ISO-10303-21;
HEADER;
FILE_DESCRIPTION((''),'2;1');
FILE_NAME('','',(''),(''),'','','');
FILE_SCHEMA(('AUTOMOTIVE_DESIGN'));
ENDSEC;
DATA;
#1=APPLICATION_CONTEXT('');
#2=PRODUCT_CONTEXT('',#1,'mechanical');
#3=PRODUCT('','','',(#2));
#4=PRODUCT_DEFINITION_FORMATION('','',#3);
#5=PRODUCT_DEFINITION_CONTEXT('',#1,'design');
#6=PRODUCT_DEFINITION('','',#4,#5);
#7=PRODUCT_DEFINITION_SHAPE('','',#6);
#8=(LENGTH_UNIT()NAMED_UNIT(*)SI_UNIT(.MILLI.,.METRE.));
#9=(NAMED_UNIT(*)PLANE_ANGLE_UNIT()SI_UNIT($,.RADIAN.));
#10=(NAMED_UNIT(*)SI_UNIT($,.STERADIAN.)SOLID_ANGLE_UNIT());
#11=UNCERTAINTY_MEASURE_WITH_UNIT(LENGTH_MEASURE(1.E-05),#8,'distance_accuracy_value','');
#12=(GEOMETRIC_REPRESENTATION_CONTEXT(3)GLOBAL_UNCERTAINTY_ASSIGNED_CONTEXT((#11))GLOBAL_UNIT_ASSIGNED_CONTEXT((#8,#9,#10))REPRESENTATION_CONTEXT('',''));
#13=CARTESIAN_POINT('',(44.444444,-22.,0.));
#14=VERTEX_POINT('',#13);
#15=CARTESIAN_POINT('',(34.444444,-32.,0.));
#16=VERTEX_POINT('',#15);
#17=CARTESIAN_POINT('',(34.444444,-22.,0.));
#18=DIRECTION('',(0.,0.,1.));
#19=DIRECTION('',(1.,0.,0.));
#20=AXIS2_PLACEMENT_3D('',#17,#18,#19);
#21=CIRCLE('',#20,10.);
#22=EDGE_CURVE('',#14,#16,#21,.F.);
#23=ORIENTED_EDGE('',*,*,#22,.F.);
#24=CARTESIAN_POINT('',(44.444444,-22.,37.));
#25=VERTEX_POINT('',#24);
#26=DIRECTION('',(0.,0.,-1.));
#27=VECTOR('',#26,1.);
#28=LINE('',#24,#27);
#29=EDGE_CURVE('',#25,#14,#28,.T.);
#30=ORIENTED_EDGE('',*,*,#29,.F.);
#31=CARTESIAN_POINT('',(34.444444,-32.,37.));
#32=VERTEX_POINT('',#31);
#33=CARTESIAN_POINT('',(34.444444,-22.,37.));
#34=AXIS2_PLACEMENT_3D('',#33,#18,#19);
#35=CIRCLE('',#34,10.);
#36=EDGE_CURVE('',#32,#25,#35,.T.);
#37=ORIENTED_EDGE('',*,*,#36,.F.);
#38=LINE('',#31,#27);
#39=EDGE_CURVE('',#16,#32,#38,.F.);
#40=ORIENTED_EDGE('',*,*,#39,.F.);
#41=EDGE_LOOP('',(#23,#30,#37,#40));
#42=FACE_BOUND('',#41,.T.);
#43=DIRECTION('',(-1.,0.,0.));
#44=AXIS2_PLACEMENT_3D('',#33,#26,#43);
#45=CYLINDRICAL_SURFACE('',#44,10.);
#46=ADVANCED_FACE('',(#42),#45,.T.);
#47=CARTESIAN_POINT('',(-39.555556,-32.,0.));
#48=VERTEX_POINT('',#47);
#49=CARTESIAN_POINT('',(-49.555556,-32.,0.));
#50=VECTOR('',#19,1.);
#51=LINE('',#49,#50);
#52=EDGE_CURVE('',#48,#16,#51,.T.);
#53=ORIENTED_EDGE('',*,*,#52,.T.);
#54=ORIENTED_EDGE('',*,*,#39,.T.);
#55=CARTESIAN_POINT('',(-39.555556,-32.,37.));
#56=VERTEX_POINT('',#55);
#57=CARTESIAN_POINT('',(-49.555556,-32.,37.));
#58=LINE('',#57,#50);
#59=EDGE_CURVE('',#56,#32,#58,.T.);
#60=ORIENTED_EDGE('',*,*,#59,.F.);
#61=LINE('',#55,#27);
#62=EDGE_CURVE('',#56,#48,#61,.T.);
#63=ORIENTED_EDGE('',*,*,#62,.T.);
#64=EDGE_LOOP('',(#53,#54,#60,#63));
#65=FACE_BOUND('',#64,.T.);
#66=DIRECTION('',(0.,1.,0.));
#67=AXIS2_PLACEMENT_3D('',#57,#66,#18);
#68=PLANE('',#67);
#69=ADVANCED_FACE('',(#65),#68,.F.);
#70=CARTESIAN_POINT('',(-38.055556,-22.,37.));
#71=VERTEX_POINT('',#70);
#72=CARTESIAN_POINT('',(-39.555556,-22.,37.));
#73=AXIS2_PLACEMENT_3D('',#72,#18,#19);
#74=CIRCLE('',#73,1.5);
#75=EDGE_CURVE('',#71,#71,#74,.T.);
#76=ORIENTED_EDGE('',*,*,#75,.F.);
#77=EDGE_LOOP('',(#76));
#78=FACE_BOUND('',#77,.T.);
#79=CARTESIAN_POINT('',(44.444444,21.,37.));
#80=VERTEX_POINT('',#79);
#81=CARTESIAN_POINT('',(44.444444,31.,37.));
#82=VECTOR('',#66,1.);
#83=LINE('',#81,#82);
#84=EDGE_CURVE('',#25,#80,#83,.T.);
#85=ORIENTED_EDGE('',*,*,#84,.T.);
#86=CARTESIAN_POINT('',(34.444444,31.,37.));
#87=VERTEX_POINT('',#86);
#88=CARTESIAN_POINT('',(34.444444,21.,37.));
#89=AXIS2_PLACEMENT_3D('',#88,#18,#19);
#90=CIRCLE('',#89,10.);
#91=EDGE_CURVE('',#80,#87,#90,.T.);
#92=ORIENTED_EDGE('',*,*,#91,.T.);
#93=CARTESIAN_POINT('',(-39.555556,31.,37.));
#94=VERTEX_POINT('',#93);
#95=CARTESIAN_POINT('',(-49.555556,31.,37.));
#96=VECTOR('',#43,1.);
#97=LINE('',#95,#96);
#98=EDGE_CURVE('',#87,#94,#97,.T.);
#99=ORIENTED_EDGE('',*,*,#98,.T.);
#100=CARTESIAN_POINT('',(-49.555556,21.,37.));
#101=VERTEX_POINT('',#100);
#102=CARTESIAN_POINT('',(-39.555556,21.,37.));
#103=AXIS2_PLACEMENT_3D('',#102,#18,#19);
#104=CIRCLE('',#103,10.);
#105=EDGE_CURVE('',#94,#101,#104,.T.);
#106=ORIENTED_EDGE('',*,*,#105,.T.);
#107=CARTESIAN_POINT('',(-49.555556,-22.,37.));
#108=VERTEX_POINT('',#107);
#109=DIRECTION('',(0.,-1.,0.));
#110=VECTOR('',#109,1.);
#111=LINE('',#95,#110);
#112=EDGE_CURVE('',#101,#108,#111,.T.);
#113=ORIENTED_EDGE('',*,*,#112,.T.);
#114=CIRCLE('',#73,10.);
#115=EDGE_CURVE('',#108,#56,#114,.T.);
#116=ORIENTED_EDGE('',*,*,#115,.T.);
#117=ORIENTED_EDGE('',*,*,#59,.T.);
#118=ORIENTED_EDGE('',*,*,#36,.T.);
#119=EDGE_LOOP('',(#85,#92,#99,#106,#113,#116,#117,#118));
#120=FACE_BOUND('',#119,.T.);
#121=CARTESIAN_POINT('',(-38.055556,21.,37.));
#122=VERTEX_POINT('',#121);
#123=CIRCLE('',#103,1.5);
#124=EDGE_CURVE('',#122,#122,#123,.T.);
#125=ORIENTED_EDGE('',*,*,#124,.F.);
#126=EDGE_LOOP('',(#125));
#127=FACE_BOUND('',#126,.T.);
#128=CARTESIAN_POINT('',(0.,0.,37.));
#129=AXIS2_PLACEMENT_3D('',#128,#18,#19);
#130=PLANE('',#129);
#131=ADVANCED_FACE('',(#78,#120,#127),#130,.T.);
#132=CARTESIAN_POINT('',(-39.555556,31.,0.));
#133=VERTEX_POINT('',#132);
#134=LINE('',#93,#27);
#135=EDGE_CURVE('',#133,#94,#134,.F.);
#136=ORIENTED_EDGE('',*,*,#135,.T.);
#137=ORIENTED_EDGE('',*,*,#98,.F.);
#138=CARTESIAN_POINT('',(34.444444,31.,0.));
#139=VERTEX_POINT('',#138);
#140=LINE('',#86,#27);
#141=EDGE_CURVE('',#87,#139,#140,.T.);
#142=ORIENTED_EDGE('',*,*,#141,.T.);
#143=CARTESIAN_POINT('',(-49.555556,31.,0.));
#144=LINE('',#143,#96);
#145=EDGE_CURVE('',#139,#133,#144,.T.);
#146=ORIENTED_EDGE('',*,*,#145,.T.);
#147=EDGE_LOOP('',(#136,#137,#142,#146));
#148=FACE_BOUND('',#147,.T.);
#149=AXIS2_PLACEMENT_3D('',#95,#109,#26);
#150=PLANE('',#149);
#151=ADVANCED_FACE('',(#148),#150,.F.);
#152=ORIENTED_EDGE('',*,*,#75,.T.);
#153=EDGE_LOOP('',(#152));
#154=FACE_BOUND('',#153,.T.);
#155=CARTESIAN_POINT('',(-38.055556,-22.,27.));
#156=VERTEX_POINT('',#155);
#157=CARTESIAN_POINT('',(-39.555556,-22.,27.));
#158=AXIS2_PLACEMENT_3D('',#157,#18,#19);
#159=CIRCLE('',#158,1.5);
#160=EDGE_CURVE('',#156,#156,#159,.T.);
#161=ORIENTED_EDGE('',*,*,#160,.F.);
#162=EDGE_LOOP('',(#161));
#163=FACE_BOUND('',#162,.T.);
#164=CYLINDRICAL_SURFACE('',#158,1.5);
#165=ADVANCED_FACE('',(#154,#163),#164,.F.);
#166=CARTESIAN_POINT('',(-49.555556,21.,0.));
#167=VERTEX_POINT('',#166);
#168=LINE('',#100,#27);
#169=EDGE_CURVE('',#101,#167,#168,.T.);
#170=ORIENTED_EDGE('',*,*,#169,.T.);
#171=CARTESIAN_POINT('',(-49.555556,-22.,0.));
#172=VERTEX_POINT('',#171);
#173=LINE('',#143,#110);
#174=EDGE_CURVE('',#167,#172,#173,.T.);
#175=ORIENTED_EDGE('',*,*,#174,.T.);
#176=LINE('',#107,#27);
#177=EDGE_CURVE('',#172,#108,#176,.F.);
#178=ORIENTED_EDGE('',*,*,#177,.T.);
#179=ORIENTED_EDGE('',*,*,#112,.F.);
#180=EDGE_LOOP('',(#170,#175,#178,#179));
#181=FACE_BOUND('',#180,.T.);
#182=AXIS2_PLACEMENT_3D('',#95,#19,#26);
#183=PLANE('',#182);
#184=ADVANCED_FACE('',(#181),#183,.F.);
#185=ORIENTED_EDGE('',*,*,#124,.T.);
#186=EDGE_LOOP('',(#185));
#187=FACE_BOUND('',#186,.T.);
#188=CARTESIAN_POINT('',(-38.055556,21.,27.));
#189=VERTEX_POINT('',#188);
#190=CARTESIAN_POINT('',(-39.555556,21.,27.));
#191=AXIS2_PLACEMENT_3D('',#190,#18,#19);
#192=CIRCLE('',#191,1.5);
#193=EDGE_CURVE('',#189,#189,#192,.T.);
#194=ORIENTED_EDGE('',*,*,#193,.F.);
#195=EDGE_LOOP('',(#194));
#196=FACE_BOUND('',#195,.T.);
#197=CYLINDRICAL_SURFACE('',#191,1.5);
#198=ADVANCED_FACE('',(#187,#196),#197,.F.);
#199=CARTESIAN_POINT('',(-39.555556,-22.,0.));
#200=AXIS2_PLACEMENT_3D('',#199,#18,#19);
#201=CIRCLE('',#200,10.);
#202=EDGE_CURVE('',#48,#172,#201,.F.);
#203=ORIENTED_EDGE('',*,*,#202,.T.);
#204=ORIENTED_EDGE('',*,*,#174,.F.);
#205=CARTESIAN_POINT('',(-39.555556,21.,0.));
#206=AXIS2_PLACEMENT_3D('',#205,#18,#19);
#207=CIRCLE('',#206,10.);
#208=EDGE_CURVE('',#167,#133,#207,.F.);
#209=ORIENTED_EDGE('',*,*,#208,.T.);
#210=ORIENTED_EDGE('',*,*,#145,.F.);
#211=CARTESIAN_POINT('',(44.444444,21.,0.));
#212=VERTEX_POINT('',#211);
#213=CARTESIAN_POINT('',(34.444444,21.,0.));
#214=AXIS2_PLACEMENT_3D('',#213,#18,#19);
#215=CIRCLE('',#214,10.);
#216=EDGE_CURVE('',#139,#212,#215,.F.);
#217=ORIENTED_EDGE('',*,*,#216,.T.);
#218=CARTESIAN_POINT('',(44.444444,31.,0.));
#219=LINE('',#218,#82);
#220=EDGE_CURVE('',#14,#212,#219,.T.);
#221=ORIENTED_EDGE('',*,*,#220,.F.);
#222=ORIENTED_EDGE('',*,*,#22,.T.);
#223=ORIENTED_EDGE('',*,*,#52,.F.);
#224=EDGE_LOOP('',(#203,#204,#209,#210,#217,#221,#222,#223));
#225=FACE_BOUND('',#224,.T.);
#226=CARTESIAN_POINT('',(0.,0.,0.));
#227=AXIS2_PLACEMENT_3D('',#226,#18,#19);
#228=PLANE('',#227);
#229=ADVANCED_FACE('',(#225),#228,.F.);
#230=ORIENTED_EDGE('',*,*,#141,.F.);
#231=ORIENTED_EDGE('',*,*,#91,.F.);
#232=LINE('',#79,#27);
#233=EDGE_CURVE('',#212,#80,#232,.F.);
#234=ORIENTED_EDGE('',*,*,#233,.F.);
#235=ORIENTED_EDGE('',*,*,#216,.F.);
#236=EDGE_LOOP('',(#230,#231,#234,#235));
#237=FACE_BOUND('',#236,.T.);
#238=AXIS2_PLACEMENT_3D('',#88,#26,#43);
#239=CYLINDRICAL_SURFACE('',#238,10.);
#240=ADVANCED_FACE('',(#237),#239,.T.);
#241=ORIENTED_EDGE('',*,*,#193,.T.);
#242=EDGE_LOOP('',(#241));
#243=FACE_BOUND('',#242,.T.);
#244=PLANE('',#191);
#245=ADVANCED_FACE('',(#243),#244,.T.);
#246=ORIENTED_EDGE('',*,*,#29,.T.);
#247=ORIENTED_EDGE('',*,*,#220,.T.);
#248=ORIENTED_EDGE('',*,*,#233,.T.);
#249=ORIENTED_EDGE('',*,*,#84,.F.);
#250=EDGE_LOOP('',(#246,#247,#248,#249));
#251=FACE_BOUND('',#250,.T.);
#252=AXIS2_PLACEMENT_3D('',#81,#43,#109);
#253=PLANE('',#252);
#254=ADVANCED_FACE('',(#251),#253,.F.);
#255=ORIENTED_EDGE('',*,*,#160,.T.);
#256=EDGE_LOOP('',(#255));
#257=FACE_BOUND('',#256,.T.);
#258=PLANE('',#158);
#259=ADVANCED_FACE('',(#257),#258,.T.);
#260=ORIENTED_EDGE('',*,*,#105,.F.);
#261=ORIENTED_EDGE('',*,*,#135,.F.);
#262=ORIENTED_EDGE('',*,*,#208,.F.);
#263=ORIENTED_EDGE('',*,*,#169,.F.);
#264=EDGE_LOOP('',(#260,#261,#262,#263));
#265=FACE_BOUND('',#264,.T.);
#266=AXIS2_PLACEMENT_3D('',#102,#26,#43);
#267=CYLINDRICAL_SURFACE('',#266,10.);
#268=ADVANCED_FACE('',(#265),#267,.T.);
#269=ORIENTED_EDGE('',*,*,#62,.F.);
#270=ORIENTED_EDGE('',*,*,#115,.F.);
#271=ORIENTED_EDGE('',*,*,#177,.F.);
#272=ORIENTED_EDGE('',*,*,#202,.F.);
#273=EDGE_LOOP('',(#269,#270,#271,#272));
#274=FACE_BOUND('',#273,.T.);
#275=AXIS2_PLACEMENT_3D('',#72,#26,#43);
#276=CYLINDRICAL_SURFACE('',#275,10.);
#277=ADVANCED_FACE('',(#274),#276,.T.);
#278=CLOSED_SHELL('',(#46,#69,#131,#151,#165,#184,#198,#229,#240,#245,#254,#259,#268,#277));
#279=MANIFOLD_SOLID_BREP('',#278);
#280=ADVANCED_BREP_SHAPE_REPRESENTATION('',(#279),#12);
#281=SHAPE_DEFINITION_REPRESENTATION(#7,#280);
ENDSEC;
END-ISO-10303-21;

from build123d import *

# Parameters (mm, degrees)
SKETCH_1_W          = 94
SKETCH_1_H          = 63
EXTRUDE_1_DEPTH     = 37
FILLET_1_R          = 10
SKETCH_3_R          = 1.5
CUT_EXTRUDE_1_DEPTH = 10


with BuildPart() as part:
    # 草图1 → 凸台-拉伸1 (new body)
    with BuildSketch(Plane.XY):
        with Locations((-2.555555556, -0.5)):
            Rectangle(SKETCH_1_W, SKETCH_1_H)
    extrude(amount=EXTRUDE_1_DEPTH)

    # 圆角1
    fillet_1_edges = [part.edges().sort_by_distance(p)[0] for p in [
        (-49.555555556, 31, 18.5),
        (44.444444444, 31, 18.5),
        (44.444444444, -32, 18.5),
        (-49.555555556, -32, 18.5),
    ]]
    fillet(fillet_1_edges, radius=FILLET_1_R)

    # 草图3 → 切除-拉伸1 (cut)
    with BuildSketch(Plane.XY.offset(37)):
        with Locations((-39.555555556, -22)):
            Circle(SKETCH_3_R)
        with Locations((-39.555555556, 21)):
            Circle(SKETCH_3_R)
    extrude(amount=-CUT_EXTRUDE_1_DEPTH, mode=Mode.SUBTRACT)


solid = part.part
